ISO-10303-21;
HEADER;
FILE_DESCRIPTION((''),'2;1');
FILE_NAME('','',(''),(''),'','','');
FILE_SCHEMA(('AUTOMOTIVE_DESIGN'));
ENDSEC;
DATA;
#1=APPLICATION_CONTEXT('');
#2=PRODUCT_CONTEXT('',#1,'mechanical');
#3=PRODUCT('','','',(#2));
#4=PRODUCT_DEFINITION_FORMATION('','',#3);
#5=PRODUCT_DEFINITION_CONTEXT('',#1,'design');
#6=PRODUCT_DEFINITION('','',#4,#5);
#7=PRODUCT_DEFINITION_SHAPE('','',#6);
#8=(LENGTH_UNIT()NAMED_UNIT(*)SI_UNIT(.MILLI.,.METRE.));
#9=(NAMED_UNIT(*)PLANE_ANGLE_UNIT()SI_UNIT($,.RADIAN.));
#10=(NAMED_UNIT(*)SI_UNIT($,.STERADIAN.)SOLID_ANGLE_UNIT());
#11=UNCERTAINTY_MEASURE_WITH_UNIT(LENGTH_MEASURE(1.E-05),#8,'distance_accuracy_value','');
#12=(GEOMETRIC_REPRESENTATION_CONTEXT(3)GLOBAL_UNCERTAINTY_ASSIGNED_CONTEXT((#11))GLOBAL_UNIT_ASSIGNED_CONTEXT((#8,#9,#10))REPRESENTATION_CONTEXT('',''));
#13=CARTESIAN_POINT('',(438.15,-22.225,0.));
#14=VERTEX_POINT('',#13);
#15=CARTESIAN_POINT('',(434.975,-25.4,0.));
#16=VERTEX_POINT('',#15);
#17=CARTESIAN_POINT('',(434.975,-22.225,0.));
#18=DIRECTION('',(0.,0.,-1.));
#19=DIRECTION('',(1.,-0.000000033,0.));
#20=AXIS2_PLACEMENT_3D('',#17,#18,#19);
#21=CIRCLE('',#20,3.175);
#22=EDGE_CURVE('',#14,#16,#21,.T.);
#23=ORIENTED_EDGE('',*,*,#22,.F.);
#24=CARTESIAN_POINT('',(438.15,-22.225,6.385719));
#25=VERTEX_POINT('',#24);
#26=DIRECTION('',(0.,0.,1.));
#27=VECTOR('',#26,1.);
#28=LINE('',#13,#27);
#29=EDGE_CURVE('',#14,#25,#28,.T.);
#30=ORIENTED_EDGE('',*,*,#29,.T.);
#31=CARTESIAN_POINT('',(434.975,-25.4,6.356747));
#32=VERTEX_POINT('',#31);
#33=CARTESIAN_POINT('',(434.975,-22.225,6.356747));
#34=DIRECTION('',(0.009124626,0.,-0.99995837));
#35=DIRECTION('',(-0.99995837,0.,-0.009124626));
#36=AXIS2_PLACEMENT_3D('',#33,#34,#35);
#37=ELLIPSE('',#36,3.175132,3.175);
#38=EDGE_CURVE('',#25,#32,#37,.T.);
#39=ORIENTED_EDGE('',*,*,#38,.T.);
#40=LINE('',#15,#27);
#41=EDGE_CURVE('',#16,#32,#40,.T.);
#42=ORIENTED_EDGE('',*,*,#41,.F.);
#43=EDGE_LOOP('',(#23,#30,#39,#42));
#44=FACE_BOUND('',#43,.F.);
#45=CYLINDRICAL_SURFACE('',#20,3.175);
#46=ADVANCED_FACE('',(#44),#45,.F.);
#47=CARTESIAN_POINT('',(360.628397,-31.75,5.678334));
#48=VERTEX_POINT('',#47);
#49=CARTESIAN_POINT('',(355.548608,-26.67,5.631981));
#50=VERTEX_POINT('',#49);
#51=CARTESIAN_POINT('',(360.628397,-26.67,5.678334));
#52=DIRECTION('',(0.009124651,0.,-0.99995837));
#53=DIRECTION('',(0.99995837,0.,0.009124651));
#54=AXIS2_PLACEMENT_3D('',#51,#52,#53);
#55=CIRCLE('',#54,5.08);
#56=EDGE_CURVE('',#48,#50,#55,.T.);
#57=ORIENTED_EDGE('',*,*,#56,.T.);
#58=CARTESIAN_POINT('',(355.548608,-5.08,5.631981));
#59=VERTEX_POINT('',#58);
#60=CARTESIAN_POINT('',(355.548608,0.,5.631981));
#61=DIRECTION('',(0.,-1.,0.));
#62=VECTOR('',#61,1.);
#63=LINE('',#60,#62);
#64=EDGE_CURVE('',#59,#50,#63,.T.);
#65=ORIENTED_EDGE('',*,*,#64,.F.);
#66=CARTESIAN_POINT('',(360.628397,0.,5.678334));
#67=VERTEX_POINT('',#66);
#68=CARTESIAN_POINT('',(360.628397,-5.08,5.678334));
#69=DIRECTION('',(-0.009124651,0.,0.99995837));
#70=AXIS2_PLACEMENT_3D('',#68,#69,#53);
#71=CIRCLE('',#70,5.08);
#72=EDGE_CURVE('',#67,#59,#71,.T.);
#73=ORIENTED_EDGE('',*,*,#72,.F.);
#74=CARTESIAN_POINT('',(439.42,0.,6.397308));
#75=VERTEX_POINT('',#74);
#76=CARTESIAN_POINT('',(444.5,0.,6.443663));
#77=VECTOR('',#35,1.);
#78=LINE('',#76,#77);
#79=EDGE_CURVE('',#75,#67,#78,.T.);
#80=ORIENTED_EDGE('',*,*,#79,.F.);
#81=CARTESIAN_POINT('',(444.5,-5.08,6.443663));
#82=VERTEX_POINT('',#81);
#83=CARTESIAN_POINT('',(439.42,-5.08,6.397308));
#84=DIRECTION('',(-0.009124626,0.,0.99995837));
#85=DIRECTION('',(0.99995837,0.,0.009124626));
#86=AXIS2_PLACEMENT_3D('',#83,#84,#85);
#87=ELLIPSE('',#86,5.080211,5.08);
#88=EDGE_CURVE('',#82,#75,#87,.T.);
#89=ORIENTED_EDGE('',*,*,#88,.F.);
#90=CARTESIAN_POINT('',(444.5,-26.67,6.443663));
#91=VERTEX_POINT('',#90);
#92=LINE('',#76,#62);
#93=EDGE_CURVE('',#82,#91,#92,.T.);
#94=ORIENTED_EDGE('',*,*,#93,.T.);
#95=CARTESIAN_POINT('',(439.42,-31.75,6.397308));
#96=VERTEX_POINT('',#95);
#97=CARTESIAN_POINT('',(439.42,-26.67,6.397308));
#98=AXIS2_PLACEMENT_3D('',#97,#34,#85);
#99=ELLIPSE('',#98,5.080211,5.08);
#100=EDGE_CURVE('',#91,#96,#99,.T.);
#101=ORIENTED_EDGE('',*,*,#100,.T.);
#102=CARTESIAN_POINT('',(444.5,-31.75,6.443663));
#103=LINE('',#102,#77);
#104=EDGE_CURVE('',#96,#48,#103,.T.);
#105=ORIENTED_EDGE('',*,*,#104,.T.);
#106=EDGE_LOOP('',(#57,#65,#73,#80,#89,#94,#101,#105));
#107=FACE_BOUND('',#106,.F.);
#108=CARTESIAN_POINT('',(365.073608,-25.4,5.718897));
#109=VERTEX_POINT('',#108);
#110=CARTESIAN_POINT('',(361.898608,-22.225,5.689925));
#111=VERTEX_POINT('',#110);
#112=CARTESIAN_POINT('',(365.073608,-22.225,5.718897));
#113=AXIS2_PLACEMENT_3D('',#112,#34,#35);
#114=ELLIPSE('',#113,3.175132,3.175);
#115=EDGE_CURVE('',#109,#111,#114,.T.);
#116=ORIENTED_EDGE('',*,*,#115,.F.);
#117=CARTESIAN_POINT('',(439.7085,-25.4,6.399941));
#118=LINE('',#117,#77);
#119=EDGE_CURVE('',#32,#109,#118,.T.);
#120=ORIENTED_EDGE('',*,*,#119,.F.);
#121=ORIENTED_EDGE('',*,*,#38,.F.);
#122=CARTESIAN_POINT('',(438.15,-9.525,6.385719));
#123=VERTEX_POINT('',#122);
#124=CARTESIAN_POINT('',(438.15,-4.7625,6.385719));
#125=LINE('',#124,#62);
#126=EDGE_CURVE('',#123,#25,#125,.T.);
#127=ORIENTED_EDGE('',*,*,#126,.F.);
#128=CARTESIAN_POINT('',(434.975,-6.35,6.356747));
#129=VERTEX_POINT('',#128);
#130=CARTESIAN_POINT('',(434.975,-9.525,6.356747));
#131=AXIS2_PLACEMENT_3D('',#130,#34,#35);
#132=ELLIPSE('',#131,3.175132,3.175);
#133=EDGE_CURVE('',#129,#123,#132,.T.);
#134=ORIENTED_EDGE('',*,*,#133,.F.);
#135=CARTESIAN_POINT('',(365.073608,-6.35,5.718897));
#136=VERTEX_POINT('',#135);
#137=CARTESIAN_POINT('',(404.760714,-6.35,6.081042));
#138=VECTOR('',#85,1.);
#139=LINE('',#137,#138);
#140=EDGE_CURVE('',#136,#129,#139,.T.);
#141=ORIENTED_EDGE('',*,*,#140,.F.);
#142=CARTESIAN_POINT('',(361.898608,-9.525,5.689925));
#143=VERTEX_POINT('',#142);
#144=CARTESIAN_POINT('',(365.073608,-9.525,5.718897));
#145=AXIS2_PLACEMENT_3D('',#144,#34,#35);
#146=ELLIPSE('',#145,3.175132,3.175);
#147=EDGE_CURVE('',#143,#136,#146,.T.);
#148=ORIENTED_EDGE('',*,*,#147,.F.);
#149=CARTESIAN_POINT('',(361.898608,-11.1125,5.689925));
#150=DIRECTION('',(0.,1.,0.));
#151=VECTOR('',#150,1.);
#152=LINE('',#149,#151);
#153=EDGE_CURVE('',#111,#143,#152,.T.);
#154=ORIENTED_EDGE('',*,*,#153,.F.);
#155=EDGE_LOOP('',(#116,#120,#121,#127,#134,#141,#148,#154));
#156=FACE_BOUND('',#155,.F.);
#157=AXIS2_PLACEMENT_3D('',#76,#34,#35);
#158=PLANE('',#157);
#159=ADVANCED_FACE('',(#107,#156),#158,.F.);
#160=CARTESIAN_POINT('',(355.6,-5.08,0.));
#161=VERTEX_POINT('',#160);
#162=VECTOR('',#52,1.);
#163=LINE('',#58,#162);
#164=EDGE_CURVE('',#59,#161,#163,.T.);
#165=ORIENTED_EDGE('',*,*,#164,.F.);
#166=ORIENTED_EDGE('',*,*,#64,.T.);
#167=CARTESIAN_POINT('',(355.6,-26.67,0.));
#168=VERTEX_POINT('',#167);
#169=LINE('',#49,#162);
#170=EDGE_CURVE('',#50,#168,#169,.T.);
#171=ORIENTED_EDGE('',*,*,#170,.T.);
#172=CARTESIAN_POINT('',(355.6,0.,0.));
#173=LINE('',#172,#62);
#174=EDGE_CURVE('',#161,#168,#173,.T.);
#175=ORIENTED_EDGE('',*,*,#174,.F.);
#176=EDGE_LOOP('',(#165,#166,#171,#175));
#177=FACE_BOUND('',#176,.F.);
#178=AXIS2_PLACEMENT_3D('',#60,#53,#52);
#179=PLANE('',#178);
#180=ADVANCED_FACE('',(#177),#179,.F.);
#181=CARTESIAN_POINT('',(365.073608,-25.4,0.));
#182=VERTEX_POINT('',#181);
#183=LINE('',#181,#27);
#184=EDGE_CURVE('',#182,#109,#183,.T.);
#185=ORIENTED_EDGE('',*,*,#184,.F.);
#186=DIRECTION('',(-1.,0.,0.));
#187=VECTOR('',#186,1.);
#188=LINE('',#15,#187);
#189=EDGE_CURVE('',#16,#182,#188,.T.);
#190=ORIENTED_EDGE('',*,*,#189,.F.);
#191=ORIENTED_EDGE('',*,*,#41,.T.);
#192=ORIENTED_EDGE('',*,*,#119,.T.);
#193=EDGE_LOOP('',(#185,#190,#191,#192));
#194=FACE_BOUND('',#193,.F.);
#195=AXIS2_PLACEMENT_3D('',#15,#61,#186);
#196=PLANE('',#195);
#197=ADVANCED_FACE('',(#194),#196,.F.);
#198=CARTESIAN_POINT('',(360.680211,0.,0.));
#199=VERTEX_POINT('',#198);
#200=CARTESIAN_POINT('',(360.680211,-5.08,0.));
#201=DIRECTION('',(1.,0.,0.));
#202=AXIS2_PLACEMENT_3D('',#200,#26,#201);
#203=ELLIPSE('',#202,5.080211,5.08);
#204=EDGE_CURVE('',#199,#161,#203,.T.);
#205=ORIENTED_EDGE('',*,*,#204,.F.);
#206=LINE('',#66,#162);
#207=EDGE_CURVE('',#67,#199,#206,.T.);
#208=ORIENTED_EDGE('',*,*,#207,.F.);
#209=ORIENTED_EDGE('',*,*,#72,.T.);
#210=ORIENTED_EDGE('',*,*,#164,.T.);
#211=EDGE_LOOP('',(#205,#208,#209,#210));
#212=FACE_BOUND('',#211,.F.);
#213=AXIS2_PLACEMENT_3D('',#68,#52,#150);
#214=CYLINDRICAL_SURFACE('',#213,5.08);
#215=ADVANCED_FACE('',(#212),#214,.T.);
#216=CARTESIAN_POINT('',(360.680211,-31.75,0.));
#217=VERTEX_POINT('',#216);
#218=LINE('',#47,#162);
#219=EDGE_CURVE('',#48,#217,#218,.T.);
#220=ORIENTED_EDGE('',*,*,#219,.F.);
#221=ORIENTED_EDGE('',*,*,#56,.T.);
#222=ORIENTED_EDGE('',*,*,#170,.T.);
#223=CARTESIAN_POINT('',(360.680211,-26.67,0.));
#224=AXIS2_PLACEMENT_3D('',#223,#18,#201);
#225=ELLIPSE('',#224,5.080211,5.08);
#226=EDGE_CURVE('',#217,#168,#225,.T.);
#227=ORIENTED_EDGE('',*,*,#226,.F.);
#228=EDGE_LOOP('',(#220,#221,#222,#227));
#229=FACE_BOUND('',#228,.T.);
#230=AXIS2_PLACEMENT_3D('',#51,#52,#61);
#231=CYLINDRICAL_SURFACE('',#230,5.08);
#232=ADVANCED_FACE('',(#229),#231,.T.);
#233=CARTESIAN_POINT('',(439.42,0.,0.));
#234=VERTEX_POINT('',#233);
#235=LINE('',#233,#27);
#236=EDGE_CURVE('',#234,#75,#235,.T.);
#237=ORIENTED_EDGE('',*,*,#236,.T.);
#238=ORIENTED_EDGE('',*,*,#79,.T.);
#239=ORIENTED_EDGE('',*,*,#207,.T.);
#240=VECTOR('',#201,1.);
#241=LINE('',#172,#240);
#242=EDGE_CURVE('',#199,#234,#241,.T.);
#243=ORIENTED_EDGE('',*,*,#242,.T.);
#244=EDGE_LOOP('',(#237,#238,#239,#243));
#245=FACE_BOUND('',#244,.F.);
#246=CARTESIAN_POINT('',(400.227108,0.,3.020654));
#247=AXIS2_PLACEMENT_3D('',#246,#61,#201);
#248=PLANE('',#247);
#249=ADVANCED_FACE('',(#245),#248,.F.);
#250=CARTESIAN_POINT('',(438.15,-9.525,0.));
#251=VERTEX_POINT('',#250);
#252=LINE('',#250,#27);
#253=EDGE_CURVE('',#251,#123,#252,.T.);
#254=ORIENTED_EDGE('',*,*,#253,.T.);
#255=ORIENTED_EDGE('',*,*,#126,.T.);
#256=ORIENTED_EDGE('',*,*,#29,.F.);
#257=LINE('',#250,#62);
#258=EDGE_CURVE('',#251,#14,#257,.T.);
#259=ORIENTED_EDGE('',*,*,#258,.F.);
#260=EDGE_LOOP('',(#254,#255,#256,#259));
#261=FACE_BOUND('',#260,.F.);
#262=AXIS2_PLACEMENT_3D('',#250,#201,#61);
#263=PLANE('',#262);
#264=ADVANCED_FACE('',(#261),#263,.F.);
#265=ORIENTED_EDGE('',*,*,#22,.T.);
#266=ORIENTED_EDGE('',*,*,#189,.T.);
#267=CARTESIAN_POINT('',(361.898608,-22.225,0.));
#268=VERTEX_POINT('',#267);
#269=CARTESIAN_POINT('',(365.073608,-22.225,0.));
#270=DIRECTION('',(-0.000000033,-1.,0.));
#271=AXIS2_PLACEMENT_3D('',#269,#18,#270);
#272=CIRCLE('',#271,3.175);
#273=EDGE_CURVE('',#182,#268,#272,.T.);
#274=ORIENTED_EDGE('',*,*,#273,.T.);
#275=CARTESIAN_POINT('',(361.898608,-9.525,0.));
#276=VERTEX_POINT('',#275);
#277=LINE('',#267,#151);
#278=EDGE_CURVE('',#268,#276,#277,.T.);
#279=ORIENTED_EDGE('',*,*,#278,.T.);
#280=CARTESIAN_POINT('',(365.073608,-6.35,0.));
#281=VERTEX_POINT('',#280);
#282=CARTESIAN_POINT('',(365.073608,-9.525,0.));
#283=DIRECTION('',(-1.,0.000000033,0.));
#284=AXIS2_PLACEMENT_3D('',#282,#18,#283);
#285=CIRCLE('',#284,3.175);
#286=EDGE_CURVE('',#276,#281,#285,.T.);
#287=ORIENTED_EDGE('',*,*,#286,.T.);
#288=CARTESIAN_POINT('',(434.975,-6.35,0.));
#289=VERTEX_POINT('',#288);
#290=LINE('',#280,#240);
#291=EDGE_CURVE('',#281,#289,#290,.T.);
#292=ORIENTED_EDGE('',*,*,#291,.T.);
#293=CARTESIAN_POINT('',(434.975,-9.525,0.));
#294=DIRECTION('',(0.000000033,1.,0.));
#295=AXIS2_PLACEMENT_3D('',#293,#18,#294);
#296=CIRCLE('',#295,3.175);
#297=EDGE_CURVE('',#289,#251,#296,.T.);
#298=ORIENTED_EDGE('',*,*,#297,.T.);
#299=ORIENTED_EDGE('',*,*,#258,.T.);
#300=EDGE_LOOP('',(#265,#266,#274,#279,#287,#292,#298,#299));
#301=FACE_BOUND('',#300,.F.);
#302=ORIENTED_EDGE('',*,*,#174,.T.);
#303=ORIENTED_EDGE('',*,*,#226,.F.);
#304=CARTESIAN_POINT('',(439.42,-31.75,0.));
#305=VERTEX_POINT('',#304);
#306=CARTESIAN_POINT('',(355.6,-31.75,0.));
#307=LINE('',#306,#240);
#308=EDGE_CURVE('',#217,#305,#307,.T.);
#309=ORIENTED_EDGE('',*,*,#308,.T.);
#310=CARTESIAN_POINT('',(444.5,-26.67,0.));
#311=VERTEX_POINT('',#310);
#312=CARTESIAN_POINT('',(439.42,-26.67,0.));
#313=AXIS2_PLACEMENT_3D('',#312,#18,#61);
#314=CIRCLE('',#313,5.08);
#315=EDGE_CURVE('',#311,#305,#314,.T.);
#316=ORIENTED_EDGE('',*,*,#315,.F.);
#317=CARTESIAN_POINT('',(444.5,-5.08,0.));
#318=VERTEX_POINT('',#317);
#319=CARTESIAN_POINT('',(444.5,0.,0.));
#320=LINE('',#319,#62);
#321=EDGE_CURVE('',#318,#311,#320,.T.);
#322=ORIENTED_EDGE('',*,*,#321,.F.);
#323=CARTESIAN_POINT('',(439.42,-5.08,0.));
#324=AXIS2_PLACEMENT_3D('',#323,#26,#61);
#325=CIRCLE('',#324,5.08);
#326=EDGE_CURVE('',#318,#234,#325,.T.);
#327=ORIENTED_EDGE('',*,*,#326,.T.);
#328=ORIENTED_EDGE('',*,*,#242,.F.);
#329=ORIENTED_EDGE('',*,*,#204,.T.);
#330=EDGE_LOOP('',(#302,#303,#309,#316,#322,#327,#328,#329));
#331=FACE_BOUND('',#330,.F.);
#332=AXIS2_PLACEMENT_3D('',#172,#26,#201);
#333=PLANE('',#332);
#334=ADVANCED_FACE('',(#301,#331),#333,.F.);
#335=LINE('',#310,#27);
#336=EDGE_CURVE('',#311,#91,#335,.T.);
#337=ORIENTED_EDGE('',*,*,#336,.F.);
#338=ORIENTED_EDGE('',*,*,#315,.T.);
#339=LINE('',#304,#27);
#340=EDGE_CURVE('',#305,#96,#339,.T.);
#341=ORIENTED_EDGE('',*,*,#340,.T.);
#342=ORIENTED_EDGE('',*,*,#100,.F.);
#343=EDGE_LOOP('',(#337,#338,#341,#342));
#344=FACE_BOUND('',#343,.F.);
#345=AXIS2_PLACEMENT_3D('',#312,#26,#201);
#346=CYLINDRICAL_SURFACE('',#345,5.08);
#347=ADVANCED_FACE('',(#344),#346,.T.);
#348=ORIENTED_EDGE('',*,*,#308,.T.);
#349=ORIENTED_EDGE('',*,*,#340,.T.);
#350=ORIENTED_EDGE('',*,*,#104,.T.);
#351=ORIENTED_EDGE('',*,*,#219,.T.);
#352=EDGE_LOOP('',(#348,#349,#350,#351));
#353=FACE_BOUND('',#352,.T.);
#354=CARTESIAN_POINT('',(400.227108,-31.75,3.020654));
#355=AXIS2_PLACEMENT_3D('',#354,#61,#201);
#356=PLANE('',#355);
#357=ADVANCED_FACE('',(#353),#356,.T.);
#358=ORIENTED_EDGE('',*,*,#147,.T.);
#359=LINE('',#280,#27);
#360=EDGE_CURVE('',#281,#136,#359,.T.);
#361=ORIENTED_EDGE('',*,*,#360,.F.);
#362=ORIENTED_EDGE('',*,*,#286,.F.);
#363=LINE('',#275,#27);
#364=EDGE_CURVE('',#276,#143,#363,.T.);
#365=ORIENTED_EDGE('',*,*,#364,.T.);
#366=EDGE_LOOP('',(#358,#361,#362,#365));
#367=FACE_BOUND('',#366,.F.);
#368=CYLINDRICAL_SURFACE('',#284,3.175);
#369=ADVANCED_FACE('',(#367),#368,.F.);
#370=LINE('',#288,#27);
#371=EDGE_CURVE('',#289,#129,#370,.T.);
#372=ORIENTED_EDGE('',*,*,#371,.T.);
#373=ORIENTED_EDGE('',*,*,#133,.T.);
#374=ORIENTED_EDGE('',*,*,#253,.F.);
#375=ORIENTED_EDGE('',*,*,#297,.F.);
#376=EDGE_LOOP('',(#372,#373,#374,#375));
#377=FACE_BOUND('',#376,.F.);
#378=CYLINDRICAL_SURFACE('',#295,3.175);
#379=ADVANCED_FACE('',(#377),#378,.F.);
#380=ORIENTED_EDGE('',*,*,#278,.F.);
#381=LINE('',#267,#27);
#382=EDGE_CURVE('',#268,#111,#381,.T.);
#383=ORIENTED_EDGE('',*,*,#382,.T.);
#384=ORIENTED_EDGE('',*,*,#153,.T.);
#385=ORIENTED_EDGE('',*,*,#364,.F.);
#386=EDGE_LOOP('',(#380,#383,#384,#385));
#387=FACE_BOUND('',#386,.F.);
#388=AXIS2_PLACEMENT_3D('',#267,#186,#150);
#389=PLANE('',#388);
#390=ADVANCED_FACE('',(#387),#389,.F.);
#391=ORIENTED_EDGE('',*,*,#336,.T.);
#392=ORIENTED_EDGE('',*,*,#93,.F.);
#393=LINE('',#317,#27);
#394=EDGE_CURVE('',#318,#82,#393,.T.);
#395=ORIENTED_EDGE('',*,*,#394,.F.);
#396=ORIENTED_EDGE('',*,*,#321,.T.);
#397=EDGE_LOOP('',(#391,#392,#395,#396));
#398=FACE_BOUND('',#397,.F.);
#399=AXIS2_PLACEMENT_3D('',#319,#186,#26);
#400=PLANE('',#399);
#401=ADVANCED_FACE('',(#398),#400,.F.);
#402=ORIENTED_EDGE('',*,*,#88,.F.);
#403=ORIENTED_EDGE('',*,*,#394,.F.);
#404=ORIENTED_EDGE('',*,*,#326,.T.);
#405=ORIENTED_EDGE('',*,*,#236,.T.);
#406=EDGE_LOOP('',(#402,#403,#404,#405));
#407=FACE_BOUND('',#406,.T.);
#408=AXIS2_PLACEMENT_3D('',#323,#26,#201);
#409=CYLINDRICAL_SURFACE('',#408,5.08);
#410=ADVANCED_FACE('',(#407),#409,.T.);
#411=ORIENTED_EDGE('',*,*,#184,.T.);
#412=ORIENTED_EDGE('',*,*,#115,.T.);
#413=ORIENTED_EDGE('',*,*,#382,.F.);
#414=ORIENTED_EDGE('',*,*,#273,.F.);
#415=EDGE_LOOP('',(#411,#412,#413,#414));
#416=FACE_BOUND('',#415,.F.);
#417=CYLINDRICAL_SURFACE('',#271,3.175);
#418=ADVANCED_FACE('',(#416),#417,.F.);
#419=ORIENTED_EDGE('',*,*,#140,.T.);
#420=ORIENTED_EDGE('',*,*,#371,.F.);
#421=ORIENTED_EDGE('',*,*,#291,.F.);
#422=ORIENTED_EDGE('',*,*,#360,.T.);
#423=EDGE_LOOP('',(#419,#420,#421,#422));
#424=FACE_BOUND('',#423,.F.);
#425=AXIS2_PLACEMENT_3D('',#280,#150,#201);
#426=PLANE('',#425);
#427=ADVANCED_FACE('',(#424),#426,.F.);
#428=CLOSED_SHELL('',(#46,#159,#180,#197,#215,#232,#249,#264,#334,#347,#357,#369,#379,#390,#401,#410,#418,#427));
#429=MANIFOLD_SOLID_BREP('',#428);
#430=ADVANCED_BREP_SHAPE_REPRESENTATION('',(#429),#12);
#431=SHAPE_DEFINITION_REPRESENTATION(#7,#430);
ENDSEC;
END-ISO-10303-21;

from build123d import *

# Parameters (mm, degrees)
F3_DEPTH = 31.75
F5_DEPTH = 6.444662
F6_R     = 5.08


with BuildPart() as f3:
    # F2 (on Front) → F3 (new body)
    with BuildSketch(Plane.XZ):
        Polygon((444.5, 0), (444.5, 6.443663), (355.548608, 5.631981), (355.6, 0), align=None)
    extrude(amount=F3_DEPTH)

    # F4 (on face) → F5 (cut, through all)
    with BuildSketch(Plane(origin=(0, 0, 0), x_dir=(1, 0, 0), z_dir=(0, 0, -1))):
        with BuildLine():
            Line((434.975, 25.4), (365.073608, 25.4))
            ThreePointArc((365.073608, 25.4), (362.828544, 24.470064), (361.898608, 22.225))
            Line((361.898608, 22.225), (361.898608, 9.525))
            ThreePointArc((361.898608, 9.525), (362.828544, 7.279936), (365.073608, 6.35))
            Line((365.073608, 6.35), (434.975, 6.35))
            ThreePointArc((434.975, 6.35), (437.220064, 7.279936), (438.15, 9.525))
            Line((438.15, 9.525), (438.15, 22.225))
            ThreePointArc((438.15, 22.225), (437.220064, 24.470064), (434.975, 25.4))
        make_face()
    extrude(amount=-F5_DEPTH, mode=Mode.SUBTRACT)

    # F6
    f6_edges = [f3.edges().sort_by_distance(p)[0] for p in [
        (444.5, -31.75, 3.221831),
        (355.574304, -31.75, 2.815991),
        (355.574304, 0, 2.815991),
        (444.5, 0, 3.221831),
    ]]
    fillet(f6_edges, radius=F6_R)


solid = f3.part
